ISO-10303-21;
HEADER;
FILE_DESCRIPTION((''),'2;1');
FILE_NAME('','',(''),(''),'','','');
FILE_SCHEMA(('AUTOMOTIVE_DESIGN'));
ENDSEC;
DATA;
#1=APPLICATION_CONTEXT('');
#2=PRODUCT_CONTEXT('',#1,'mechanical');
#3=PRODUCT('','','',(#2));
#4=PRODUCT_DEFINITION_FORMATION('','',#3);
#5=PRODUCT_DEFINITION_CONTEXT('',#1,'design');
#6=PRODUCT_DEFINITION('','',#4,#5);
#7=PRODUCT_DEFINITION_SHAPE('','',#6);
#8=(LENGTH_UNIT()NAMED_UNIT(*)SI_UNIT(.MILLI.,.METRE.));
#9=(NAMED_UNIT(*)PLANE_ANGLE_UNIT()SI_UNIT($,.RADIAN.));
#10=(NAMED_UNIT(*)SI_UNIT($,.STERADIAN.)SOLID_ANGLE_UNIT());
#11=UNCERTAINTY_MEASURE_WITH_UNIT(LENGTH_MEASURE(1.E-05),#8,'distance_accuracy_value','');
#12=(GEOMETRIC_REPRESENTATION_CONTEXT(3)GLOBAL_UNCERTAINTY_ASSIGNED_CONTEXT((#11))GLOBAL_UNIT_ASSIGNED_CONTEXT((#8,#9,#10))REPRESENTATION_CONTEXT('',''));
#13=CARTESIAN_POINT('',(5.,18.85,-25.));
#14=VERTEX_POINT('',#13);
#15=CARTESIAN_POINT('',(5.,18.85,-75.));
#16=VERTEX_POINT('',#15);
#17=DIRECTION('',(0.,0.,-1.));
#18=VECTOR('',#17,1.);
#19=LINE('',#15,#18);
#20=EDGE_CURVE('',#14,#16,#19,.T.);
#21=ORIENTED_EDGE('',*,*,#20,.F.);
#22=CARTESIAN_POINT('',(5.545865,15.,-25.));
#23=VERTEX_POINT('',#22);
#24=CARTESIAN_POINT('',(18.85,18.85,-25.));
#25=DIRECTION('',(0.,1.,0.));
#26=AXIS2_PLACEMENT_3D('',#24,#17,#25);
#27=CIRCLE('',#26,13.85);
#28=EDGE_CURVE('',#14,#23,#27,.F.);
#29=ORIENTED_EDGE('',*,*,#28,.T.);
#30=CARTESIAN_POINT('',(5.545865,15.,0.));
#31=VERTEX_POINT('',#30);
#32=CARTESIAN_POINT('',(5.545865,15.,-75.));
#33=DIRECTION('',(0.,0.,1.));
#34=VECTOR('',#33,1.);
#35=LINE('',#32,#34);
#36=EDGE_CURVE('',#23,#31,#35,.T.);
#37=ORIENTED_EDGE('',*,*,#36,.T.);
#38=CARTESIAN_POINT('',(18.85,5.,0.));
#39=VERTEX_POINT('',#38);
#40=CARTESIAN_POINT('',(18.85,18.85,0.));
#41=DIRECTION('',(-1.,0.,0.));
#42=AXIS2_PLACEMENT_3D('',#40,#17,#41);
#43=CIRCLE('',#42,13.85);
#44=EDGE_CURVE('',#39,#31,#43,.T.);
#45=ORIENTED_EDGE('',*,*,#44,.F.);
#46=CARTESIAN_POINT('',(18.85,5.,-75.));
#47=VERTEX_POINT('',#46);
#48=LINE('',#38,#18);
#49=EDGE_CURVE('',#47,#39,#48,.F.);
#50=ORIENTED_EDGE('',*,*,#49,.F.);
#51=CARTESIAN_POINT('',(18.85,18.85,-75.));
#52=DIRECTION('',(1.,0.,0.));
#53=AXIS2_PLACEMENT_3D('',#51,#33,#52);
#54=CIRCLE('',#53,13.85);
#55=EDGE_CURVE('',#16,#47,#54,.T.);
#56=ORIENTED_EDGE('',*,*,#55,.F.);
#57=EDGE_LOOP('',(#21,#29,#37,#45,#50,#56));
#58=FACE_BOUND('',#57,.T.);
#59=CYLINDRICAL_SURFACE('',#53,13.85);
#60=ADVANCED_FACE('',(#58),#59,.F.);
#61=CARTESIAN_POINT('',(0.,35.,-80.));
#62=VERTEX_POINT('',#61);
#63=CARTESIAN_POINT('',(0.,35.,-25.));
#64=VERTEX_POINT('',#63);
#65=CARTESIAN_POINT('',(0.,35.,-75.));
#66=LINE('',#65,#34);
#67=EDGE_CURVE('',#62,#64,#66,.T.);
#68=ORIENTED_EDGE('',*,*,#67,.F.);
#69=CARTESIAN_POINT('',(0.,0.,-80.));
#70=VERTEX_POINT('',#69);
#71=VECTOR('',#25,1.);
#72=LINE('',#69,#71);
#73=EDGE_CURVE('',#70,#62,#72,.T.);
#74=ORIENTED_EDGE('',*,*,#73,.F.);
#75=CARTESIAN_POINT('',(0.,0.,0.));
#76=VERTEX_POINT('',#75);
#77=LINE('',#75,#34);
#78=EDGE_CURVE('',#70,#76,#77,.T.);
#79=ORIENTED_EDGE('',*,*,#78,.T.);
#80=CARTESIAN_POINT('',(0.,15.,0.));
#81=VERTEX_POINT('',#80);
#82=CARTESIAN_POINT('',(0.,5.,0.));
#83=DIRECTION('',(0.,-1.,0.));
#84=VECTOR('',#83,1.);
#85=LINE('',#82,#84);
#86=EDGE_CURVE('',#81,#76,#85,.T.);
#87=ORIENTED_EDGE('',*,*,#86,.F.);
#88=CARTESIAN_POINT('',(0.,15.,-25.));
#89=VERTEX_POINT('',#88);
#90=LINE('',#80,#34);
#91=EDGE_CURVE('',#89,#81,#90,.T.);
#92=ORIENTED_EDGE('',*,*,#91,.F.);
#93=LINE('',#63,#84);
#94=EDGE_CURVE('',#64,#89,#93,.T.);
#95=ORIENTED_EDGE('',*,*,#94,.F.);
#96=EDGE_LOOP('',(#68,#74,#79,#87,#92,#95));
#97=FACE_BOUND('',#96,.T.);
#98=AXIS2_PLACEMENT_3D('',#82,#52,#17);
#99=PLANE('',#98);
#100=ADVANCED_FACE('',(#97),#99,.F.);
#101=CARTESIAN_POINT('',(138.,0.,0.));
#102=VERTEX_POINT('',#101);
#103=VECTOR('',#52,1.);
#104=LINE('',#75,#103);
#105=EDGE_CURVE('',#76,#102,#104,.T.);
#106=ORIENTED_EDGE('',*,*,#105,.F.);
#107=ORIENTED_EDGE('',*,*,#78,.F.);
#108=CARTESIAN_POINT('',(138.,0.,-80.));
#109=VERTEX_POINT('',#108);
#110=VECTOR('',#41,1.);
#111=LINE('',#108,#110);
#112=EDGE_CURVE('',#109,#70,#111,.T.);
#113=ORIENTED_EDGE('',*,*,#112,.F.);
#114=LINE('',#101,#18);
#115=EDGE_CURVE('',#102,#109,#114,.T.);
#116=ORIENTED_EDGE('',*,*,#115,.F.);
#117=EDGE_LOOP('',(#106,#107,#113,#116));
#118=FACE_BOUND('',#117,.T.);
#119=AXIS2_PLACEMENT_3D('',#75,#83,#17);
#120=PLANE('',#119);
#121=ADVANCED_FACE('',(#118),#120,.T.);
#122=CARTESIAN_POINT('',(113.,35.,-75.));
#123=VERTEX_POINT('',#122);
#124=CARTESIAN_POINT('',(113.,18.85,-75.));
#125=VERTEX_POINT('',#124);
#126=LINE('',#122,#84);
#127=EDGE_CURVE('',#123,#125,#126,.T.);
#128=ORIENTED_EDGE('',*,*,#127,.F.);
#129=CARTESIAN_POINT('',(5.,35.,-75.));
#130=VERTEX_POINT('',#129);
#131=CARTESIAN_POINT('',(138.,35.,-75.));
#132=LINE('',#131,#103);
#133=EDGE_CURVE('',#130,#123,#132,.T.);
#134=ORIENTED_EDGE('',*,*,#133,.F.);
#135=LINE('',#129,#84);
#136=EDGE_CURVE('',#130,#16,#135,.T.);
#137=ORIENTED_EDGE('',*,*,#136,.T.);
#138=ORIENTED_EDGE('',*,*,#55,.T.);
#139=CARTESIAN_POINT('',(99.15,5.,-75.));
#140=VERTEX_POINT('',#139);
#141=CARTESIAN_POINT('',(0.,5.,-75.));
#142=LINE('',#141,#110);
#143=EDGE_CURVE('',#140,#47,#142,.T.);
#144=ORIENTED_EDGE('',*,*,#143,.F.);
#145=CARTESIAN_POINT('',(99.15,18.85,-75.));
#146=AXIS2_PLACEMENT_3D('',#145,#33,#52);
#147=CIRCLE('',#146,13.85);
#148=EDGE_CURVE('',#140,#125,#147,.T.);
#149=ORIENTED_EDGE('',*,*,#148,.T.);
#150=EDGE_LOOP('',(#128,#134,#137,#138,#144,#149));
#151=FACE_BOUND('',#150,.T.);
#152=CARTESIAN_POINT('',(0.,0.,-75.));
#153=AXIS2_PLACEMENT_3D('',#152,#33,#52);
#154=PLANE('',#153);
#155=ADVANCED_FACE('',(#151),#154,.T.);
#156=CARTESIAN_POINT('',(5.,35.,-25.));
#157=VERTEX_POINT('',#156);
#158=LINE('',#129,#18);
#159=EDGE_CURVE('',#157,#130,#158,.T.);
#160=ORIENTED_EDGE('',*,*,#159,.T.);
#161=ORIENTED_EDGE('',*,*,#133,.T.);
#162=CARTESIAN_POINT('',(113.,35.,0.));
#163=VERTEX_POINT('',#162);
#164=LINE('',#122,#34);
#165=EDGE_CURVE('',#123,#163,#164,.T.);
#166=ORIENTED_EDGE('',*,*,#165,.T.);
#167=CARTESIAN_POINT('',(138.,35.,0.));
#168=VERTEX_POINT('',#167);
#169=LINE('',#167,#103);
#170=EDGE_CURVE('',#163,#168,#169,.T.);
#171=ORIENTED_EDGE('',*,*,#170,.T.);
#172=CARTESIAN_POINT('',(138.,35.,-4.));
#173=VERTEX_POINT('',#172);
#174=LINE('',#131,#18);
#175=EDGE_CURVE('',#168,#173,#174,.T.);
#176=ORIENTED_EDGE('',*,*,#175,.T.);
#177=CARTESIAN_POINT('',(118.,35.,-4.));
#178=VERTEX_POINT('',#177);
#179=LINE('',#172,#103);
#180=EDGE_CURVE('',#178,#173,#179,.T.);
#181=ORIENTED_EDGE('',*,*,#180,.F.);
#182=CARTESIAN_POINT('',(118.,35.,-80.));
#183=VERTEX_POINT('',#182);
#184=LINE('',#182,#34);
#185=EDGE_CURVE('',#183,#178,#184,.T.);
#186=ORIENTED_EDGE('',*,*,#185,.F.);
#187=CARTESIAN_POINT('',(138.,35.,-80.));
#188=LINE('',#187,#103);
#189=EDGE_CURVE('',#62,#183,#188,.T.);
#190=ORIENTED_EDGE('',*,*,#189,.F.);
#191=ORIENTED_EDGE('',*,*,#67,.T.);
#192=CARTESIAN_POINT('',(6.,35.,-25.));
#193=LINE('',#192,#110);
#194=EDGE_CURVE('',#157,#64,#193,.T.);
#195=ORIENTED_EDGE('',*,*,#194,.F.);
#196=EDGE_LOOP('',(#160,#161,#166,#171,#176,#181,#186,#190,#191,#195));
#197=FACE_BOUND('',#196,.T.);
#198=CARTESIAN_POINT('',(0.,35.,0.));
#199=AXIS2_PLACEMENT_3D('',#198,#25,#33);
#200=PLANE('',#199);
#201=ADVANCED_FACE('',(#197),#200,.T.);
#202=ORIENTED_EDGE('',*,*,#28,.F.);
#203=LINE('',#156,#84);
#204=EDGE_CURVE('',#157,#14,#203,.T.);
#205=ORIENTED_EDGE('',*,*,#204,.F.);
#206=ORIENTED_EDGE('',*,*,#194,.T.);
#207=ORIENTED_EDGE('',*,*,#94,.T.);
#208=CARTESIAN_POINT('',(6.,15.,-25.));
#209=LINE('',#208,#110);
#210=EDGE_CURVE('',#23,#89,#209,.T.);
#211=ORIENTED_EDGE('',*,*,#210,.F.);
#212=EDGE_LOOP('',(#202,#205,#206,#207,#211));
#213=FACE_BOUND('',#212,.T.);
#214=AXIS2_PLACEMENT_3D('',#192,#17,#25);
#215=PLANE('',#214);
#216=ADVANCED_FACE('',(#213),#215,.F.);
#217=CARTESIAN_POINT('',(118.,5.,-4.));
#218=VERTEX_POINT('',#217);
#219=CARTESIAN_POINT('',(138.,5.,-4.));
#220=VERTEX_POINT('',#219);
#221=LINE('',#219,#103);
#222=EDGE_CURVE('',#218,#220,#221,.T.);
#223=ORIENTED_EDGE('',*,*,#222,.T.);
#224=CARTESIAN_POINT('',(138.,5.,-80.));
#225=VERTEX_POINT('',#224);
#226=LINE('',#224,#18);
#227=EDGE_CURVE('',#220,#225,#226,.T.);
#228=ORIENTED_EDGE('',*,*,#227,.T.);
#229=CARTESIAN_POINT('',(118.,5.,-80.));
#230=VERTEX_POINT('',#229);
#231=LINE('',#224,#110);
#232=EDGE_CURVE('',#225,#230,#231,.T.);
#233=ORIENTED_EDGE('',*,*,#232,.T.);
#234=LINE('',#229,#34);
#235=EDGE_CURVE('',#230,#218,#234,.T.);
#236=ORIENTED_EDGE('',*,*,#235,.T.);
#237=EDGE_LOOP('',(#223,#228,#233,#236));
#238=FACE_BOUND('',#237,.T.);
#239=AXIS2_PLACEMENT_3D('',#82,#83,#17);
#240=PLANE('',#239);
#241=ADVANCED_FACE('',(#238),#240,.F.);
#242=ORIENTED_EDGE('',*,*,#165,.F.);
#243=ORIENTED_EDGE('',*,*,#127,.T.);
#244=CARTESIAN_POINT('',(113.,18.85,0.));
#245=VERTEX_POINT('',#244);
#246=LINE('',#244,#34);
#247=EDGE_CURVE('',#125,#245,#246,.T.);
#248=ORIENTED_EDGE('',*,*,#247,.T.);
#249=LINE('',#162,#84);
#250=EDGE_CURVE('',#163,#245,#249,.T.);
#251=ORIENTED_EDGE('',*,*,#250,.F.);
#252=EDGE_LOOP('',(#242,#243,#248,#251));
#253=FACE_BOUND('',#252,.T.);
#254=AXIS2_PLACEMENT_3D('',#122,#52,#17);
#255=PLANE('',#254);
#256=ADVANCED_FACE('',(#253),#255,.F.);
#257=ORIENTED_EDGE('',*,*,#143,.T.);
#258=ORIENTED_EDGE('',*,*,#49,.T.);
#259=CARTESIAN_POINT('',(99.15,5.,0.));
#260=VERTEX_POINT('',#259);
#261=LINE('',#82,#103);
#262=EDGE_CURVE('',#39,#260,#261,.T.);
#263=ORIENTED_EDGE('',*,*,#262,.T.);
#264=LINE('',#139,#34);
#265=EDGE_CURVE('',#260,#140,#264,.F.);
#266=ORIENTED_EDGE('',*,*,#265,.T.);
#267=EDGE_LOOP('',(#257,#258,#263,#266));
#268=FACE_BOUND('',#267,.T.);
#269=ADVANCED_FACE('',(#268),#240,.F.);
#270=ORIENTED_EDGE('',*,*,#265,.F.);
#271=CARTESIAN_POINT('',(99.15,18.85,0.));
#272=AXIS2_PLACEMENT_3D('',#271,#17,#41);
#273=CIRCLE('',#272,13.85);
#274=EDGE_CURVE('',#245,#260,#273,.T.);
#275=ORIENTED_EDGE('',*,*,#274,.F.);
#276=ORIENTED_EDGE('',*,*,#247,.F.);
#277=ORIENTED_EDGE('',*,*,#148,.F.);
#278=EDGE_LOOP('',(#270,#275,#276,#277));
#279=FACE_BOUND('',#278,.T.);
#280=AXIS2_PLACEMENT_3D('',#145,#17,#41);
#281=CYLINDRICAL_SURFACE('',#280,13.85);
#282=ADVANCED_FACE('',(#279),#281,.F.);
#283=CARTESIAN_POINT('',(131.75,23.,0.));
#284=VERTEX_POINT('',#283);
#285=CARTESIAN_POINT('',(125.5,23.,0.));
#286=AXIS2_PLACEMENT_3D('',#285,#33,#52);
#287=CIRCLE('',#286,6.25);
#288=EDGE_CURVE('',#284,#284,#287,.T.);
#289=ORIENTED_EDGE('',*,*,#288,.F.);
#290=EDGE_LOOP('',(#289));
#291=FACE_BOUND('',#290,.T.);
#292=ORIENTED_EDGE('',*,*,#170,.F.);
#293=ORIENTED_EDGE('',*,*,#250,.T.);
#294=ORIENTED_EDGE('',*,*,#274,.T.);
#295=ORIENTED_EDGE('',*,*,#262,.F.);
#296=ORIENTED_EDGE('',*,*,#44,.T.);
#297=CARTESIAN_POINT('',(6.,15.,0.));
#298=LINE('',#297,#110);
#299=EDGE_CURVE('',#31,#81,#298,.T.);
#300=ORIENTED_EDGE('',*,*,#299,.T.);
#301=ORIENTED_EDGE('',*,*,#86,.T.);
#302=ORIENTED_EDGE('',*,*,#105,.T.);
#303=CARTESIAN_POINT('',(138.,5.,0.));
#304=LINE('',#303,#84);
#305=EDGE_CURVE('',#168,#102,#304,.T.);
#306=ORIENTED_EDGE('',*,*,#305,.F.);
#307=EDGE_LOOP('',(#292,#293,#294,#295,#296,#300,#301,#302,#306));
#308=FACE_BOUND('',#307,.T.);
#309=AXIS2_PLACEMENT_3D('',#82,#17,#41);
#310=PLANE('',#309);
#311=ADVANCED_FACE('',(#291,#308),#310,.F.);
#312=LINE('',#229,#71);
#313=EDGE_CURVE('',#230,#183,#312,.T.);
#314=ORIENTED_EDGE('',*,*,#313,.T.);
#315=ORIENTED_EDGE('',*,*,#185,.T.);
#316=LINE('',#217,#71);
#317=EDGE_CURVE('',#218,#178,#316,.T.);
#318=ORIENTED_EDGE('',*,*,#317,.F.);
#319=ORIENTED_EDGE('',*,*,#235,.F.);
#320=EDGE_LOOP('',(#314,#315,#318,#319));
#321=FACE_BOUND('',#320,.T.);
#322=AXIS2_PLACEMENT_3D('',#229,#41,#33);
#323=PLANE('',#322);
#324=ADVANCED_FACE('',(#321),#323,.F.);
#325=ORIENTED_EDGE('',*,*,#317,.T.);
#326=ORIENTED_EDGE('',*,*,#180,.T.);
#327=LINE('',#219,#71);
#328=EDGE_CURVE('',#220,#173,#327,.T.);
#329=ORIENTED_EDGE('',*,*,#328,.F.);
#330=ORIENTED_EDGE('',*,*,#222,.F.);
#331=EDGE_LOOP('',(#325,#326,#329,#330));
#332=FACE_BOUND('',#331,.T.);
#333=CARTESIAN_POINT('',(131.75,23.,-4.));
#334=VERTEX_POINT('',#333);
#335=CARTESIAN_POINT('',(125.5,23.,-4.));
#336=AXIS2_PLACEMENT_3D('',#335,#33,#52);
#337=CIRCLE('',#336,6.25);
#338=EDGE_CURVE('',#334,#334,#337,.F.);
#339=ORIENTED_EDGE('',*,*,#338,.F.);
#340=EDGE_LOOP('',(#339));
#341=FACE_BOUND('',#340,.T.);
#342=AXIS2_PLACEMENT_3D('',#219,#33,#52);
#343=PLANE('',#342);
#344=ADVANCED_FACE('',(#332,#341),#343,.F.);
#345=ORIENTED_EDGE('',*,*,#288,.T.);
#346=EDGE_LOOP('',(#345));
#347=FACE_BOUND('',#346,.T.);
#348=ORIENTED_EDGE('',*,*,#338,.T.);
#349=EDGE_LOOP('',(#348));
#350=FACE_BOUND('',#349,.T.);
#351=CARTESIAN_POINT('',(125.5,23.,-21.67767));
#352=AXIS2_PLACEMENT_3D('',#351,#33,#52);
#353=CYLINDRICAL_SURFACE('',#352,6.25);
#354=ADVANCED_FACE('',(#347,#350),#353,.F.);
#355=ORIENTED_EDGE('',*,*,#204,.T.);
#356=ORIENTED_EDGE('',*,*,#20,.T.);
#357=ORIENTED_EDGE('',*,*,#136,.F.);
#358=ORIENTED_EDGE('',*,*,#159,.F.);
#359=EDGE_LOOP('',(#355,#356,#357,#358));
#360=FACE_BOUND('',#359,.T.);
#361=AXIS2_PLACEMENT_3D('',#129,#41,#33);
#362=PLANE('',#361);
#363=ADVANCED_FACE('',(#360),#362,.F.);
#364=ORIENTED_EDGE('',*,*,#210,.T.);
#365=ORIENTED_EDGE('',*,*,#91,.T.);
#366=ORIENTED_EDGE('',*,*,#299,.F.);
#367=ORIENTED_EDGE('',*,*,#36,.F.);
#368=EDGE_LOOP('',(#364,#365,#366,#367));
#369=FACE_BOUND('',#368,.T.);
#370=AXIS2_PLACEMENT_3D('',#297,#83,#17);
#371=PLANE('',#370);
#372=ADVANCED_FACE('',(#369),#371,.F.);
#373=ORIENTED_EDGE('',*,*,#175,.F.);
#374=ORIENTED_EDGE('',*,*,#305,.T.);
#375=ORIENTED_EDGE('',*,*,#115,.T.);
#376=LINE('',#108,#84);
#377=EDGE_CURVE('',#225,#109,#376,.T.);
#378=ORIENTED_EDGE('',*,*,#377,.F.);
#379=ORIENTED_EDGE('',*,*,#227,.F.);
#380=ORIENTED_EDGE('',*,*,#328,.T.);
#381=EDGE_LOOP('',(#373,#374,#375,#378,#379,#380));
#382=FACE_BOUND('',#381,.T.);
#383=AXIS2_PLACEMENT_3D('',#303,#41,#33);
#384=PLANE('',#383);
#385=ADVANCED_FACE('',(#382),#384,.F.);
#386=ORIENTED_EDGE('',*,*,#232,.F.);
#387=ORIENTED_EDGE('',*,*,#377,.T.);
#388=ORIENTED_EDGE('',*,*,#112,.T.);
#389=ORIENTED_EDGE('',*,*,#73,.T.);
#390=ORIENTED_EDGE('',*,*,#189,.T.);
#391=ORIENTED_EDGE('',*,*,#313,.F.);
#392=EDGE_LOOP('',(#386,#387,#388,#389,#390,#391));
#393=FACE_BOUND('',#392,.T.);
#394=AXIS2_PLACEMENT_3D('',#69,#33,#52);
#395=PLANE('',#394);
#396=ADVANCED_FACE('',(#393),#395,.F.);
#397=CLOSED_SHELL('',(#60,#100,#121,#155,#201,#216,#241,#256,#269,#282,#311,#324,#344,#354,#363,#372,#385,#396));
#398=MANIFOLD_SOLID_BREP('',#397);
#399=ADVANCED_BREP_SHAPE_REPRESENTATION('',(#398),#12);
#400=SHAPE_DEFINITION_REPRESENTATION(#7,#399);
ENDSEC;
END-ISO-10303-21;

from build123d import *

# Parameters (mm, degrees)
ESQUISSE1_W             = 138
ESQUISSE1_H             = 75
BOSS_EXTRU_1_DEPTH      = 5
ESQUISSE2_W             = 5
ESQUISSE2_H             = 75
ESQUISSE2_W_2           = 25
BOSS_EXTRU_2_DEPTH      = 30
CONG_1_R                = 13.85
ESQUISSE3_W             = 138
ESQUISSE3_H             = 35
BOSS_EXTRU_3_DEPTH      = 5
ESQUISSE4_W             = 25
ESQUISSE4_H             = 20
ENL_V_MAT_EXTRU_1_DEPTH = 6
ESQUISSE5_W             = 20
ESQUISSE5_H             = 76
ENL_V_MAT_EXTRU_2_DEPTH = 30
ESQUISSE6_R             = 6.25
ENL_V_MAT_EXTRU_3_DEPTH = 4


with BuildPart() as part:
    # Esquisse1 → Boss.-Extru.1 (new body)
    with BuildSketch(Plane(origin=(0, 0, 0), x_dir=(1, 0, 0), z_dir=(0, 1, 0))):
        with Locations((69, 37.5)):
            Rectangle(ESQUISSE1_W, ESQUISSE1_H)
    extrude(amount=BOSS_EXTRU_1_DEPTH)

    # Esquisse2 → Boss.-Extru.2 (add)
    with BuildSketch(Plane(origin=(0, 5, 0), x_dir=(1, 0, 0), z_dir=(0, 1, 0))):
        with Locations((2.5, 37.5)):
            Rectangle(ESQUISSE2_W, ESQUISSE2_H)
        with Locations((125.5, 37.5)):
            Rectangle(ESQUISSE2_W_2, ESQUISSE2_H)
    extrude(amount=BOSS_EXTRU_2_DEPTH)

    # Congé1
    cong_1_edges = [part.edges().sort_by_distance(p)[0] for p in [
        (5, 5, -37.5),
        (113, 5, -37.5),
    ]]
    fillet(cong_1_edges, radius=CONG_1_R)

    # Esquisse3 → Boss.-Extru.3 (add)
    with BuildSketch(Plane(origin=(0, 0, -75), x_dir=(-1, 0, 0), z_dir=(0, 0, -1))):
        with Locations((-69, 17.5)):
            Rectangle(ESQUISSE3_W, ESQUISSE3_H)
    extrude(amount=BOSS_EXTRU_3_DEPTH)

    # Esquisse4 → Enlèv. mat.-Extru.1 (cut)
    with BuildSketch(Plane.ZY):
        with Locations((-12.5, 25)):
            Rectangle(ESQUISSE4_W, ESQUISSE4_H)
    extrude(amount=-ENL_V_MAT_EXTRU_1_DEPTH, mode=Mode.SUBTRACT)

    # Esquisse5 → Enlèv. mat.-Extru.2 (cut)
    with BuildSketch(Plane(origin=(0, 35, 0), x_dir=(1, 0, 0), z_dir=(0, 1, 0))):
        with Locations((128, 42)):
            Rectangle(ESQUISSE5_W, ESQUISSE5_H)
    extrude(amount=-ENL_V_MAT_EXTRU_2_DEPTH, mode=Mode.SUBTRACT)

    # Esquisse6 → Enlèv. mat.-Extru.3 (cut)
    with BuildSketch(Plane.XY):
        with Locations((125.5, 23)):
            Circle(ESQUISSE6_R)
    extrude(amount=-ENL_V_MAT_EXTRU_3_DEPTH, mode=Mode.SUBTRACT)


solid = part.part
